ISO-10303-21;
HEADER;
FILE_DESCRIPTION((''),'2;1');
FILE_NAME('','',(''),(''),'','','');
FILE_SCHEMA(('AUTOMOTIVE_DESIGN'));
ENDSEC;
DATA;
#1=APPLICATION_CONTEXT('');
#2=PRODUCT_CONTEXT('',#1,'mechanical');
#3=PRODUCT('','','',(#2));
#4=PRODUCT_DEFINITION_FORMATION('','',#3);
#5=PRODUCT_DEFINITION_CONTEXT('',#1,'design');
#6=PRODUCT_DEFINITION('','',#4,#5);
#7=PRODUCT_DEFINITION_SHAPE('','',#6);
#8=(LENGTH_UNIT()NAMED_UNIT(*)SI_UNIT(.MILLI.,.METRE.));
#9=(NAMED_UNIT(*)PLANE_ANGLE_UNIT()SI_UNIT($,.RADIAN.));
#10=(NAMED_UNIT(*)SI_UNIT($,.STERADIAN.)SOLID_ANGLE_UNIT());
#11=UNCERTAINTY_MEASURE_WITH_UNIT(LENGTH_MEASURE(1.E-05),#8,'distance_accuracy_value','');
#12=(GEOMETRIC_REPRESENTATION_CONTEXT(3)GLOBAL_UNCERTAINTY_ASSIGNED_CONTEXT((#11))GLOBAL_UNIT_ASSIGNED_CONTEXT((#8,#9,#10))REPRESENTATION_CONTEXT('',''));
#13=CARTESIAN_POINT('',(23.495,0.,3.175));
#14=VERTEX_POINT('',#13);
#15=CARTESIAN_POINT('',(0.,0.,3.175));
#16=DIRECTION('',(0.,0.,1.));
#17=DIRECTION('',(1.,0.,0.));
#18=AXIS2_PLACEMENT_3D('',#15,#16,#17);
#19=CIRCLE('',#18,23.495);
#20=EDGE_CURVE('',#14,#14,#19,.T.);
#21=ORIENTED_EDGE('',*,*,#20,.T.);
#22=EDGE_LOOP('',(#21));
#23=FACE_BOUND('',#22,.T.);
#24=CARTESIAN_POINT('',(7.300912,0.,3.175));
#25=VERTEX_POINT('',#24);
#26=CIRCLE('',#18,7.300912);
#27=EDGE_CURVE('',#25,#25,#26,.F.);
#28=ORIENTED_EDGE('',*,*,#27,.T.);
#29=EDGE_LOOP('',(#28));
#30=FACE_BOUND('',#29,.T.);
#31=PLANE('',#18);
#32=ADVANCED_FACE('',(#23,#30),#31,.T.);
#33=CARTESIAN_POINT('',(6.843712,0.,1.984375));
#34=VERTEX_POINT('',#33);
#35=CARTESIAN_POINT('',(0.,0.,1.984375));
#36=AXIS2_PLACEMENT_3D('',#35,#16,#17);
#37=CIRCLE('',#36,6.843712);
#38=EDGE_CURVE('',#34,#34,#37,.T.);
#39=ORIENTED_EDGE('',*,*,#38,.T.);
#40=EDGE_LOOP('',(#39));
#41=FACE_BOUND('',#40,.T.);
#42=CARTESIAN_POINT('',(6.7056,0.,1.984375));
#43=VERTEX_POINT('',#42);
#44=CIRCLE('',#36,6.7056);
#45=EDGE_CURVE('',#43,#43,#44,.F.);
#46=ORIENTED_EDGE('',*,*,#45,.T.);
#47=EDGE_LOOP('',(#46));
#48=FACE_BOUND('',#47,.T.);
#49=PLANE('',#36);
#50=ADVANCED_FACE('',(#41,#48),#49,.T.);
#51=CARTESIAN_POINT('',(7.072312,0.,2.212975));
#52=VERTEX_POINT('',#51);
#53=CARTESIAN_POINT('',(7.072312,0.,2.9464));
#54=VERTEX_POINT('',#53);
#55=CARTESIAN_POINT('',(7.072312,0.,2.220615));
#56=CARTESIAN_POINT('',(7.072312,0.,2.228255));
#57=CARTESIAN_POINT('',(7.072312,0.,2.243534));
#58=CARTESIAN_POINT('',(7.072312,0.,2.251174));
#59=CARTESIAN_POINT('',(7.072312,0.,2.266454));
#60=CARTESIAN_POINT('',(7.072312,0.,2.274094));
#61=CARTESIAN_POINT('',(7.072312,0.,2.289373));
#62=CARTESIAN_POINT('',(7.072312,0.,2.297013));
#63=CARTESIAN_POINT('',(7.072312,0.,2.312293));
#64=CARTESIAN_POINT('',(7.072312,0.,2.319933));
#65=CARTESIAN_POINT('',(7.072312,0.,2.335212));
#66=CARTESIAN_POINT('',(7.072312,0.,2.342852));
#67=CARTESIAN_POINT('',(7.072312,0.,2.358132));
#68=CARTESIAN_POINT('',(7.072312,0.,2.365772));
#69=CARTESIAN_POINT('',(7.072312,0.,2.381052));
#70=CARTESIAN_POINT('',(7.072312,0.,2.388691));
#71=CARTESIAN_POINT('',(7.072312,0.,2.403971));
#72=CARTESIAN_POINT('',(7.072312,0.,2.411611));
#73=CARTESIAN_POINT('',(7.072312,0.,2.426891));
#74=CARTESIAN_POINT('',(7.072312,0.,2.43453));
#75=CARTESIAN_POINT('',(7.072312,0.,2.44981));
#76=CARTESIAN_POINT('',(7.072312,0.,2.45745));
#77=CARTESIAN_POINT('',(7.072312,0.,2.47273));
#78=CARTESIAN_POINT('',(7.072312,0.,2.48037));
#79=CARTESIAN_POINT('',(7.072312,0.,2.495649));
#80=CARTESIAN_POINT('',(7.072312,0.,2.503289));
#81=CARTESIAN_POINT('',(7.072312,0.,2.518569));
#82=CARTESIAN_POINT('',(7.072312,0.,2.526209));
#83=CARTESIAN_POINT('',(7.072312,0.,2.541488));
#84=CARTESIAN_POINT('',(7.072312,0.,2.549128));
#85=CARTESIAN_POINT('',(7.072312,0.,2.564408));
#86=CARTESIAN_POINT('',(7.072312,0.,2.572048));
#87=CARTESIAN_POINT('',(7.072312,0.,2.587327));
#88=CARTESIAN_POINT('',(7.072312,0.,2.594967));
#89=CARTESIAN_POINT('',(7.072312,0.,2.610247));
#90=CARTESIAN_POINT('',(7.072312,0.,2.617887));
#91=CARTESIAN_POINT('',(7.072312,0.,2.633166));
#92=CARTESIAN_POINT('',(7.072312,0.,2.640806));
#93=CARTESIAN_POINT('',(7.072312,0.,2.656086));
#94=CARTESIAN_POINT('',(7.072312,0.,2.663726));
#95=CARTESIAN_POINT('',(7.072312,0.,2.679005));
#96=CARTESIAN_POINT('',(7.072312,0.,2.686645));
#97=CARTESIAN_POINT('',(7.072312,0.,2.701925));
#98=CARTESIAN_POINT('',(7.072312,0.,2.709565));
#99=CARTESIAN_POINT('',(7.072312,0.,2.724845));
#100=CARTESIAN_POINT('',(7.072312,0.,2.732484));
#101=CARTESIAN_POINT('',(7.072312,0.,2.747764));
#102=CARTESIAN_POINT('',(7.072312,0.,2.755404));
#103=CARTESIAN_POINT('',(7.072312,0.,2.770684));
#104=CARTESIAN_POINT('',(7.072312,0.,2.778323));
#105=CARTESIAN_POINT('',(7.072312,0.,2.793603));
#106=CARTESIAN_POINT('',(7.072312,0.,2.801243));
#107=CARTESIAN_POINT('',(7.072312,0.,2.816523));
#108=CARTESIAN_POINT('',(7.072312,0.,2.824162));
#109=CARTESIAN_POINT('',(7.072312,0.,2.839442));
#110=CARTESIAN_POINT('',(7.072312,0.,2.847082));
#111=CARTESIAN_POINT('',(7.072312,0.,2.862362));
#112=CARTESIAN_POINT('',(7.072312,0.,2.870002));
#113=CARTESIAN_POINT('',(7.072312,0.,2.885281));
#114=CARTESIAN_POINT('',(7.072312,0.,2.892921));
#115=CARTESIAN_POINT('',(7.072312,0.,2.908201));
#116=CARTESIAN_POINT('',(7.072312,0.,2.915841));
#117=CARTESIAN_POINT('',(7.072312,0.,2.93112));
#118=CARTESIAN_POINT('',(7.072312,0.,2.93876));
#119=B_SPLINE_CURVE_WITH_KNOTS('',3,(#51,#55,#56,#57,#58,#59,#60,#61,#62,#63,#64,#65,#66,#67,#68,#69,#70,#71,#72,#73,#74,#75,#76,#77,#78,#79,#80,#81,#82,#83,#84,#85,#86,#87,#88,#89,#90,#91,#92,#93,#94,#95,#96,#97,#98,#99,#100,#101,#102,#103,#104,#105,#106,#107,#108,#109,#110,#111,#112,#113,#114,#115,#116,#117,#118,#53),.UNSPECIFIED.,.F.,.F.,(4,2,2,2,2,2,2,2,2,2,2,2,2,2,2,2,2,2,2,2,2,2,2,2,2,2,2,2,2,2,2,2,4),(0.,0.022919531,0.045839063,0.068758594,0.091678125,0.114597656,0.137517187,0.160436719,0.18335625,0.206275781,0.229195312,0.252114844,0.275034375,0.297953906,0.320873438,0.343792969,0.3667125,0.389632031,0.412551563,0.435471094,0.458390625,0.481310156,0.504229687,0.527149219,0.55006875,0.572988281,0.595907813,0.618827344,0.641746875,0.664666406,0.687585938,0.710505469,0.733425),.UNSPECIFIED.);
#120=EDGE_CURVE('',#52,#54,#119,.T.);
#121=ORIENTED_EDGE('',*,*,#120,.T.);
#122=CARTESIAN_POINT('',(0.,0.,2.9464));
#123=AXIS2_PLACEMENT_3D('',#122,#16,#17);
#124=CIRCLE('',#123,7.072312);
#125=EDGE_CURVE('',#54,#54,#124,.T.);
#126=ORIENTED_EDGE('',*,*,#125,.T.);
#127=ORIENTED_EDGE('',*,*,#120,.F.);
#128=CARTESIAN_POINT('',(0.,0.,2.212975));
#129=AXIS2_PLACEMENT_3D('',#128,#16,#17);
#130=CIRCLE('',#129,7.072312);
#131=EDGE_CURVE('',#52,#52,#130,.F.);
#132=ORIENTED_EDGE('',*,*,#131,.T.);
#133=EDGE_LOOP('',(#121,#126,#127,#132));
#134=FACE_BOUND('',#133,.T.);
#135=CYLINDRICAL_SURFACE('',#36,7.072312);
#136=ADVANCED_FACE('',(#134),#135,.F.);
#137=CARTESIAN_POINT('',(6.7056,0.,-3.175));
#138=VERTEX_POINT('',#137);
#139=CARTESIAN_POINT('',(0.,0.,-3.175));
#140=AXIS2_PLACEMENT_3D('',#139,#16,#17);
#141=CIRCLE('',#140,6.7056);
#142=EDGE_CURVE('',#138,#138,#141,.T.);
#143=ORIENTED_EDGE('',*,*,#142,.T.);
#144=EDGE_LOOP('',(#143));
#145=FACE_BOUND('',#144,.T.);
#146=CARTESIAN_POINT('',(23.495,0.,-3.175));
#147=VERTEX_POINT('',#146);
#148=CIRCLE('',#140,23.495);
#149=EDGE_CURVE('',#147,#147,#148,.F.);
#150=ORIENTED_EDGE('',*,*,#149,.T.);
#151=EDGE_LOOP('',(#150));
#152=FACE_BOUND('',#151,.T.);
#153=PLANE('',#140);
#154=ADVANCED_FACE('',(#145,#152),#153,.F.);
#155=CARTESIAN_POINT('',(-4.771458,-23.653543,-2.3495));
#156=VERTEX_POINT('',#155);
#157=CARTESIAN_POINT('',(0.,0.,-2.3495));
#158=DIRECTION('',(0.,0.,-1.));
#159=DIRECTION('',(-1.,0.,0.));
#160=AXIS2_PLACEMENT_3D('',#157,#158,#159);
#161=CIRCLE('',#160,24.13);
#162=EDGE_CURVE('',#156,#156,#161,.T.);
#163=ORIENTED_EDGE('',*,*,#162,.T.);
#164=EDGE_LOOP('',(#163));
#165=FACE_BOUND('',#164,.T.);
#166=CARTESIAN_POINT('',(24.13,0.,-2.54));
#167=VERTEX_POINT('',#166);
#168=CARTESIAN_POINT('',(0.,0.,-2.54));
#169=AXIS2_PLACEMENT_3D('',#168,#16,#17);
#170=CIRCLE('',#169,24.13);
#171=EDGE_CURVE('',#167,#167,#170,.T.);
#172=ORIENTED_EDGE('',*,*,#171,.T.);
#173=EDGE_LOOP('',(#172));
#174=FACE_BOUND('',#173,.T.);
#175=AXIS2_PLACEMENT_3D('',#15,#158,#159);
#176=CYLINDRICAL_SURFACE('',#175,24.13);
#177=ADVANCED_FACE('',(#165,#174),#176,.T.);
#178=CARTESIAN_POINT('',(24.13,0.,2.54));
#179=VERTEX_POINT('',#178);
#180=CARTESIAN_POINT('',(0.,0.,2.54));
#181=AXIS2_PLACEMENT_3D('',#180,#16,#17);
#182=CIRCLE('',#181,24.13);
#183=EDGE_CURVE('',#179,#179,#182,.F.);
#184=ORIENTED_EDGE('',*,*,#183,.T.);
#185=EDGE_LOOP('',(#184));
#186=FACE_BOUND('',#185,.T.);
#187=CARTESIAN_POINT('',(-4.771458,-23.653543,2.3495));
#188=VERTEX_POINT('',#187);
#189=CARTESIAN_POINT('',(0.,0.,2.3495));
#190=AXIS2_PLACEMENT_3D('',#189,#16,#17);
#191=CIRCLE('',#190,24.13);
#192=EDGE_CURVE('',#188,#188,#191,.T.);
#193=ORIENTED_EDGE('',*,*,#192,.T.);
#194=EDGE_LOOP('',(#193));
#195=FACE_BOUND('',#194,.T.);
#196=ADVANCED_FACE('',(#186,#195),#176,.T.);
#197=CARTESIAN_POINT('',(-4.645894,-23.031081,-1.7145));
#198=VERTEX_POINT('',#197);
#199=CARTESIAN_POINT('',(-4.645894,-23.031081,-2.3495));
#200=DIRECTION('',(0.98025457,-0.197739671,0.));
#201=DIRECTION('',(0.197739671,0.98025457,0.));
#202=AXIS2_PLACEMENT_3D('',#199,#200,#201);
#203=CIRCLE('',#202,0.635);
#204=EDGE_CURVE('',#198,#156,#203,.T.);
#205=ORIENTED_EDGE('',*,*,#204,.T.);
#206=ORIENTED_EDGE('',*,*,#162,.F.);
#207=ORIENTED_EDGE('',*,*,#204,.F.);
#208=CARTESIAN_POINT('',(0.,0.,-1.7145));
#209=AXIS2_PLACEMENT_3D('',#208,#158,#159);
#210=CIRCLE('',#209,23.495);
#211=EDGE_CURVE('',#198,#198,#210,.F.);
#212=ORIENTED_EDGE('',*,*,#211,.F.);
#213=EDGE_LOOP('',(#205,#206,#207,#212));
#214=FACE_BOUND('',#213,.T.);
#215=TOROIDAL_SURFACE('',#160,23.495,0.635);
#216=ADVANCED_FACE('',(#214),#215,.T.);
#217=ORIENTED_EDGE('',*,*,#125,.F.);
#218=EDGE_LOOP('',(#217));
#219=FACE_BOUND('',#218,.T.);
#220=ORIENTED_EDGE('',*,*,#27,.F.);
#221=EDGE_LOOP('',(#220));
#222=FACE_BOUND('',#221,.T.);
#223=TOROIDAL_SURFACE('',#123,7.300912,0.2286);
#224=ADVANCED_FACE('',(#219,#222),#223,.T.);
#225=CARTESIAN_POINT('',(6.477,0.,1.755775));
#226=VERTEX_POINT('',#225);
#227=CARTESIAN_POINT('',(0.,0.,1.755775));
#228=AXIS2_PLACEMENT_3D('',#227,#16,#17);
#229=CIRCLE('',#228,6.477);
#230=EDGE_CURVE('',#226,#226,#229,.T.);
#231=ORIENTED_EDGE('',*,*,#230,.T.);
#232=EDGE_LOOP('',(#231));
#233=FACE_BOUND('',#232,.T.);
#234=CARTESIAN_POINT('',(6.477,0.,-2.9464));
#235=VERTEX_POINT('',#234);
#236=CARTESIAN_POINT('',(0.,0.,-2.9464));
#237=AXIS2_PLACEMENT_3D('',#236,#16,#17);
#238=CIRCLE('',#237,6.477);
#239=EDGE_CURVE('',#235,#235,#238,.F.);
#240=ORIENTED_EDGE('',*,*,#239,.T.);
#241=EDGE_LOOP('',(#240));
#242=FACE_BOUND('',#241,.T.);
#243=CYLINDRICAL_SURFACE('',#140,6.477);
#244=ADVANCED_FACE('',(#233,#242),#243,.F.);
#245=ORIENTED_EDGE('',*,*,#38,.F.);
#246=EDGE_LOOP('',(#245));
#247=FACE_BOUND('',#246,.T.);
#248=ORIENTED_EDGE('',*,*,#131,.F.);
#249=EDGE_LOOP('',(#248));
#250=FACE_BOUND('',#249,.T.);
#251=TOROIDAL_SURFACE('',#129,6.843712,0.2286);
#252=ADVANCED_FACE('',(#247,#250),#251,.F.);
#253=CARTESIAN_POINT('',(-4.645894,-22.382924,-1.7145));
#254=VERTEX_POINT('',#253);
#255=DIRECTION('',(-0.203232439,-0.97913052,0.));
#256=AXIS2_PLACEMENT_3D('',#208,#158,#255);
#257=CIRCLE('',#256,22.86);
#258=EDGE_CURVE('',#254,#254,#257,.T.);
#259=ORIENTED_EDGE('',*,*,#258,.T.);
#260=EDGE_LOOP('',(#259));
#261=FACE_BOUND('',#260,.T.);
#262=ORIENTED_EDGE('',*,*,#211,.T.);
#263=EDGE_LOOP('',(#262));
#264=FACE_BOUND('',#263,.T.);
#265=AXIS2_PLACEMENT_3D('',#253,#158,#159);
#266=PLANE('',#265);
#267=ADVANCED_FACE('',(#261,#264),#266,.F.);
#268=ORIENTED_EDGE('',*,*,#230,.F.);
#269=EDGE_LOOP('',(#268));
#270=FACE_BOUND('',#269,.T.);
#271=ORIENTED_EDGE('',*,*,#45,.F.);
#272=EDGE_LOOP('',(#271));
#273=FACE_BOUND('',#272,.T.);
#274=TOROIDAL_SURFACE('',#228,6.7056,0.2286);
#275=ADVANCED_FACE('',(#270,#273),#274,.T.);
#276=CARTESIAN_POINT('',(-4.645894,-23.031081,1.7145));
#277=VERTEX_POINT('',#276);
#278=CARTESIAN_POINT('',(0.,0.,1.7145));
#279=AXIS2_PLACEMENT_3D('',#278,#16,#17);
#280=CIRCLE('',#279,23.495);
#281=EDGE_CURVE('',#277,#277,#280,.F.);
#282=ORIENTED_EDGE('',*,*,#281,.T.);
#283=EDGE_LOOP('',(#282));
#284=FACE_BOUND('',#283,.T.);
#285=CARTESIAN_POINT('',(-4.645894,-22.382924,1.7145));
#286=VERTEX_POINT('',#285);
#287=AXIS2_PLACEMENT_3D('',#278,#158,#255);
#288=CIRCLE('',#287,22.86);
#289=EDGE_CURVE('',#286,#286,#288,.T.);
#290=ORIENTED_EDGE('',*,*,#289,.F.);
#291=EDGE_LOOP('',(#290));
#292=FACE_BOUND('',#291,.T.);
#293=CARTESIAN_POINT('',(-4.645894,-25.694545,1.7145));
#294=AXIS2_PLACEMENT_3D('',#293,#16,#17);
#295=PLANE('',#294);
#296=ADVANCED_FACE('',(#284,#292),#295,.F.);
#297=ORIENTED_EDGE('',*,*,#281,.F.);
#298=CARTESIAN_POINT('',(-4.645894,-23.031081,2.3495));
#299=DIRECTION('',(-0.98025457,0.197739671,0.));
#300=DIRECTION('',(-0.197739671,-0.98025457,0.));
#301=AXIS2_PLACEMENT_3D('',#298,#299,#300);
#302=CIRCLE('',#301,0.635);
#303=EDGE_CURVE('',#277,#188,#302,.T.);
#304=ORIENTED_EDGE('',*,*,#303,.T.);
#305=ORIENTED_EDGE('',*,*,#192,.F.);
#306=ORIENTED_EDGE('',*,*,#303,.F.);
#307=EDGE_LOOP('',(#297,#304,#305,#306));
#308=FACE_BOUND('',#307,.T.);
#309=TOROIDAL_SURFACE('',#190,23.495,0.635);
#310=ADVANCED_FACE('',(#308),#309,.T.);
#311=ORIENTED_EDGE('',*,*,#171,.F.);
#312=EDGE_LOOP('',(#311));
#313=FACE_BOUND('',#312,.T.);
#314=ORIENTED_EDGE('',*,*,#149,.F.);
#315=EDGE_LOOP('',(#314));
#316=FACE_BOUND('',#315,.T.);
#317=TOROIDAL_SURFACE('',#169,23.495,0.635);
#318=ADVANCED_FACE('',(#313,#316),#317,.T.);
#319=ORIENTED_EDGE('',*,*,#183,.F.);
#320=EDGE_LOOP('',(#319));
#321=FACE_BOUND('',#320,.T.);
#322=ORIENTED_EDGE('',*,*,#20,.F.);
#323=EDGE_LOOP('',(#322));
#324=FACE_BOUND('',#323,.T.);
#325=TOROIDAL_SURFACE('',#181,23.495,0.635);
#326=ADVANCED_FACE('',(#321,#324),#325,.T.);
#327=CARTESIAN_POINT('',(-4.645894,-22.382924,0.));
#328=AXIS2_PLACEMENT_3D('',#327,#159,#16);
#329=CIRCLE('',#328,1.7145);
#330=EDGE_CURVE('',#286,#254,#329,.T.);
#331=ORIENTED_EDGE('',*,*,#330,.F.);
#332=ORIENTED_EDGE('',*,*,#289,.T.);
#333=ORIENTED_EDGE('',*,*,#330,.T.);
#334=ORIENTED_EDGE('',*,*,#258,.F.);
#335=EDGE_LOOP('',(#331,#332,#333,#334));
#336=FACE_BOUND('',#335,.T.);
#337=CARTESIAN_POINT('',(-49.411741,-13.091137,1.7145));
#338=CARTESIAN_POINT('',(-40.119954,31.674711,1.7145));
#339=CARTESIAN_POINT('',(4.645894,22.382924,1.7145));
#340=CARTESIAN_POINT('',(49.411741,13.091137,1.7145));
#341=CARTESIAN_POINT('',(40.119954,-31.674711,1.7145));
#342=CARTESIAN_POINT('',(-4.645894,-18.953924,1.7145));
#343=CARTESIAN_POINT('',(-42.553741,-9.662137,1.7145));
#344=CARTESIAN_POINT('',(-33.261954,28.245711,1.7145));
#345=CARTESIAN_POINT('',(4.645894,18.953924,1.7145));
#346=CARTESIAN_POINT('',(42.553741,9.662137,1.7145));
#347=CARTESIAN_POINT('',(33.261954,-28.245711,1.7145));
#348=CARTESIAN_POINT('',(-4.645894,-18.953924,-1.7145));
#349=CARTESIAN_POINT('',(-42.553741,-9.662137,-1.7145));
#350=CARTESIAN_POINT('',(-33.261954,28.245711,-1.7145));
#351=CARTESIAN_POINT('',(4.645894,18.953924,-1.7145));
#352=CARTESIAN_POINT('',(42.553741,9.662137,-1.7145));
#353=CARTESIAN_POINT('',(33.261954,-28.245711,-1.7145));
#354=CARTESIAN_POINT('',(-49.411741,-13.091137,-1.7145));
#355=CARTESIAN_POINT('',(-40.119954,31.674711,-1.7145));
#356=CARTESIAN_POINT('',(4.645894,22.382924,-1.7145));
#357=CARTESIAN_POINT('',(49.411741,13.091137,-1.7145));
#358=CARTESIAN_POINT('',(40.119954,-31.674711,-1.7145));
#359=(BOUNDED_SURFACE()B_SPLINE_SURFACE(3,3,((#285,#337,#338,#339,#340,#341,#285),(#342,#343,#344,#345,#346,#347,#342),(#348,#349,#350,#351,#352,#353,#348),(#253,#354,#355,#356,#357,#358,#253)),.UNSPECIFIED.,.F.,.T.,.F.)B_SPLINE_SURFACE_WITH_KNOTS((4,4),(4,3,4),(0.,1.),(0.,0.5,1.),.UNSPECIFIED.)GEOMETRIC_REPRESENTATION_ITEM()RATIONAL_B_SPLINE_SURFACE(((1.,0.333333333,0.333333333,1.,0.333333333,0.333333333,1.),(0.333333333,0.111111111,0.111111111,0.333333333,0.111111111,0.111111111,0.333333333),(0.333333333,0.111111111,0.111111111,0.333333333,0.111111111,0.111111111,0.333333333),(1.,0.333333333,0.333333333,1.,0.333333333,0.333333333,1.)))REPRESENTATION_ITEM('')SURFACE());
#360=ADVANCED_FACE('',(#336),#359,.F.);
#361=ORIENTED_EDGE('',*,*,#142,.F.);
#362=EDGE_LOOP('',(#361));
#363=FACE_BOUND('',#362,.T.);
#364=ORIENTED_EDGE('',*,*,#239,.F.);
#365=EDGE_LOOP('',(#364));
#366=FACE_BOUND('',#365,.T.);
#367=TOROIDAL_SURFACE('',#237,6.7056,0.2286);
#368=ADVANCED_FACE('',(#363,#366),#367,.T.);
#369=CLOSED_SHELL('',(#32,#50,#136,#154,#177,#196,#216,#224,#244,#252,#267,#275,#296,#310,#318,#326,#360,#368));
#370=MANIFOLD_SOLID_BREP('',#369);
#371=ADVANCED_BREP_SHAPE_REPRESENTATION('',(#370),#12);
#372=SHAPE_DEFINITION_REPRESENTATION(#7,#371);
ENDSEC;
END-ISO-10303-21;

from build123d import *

# Parameters (mm, degrees)
SKETCH1_R           = 24.13
BOSS_EXTRUDE1_DEPTH = 3.175
SKETCH3_R           = 4.7625
CUT_EXTRUDE1_DEPTH  = 1.5875
SKETCH4_R           = 6.477
CUT_EXTRUDE2_DEPTH  = 35.710752095
SKETCH5_R           = 7.0723125
CUT_EXTRUDE3_DEPTH  = 1.190625
FILLET2_R           = 0.2286
FILLET3_R           = 0.635


with BuildPart() as part:
    # Sketch1 → Boss-Extrude1 (new, symmetric)
    with BuildSketch(Plane.XY):
        Circle(SKETCH1_R)
    extrude(amount=BOSS_EXTRUDE1_DEPTH, both=True)

    # Cut-Sweep1: sweep along a path in Sketch6
    with BuildLine(Plane(origin=(0, 0, 0), x_dir=(-1, 0, 0), z_dir=(0, 0, -1))) as cut_sweep1_path:
        CenterArc((0, 0), 22.86, 0, 360)
    # 3DSketch1 → Cut-Sweep1 (sweep, cut)
    with BuildSketch(Plane(origin=(-4.645893567, -22.382923691, -1.7145), x_dir=(0, -0.6946881757557662, 0.7193110165047701), z_dir=(-1, 0, 0))):
        with BuildLine():
            Line((0, 0), (2.300544228, -2.382085755))
            Line((2.300544228, -2.382085755), (4.767061704, 0))
            Line((4.767061704, 0), (2.466517476, 2.382085755))
            ThreePointArc((2.466517476, 2.382085755), (0.04221586, 2.424301615), (0, 0))
        make_face()
    sweep(path=cut_sweep1_path.line, mode=Mode.SUBTRACT)

    # Sketch3 → Cut-Extrude1 (cut, symmetric)
    with BuildSketch(Plane.XY):
        Circle(SKETCH3_R)
    extrude(amount=CUT_EXTRUDE1_DEPTH, both=True, mode=Mode.SUBTRACT)

    # Sketch4 → Cut-Extrude2 (cut, through all)
    with BuildSketch(Plane.XY.offset(3.175)):
        Circle(SKETCH4_R)
    extrude(amount=-CUT_EXTRUDE2_DEPTH, mode=Mode.SUBTRACT)

    # Sketch5 → Cut-Extrude3 (cut)
    with BuildSketch(Plane.XY.offset(3.175)):
        Circle(SKETCH5_R)
    extrude(amount=-CUT_EXTRUDE3_DEPTH, mode=Mode.SUBTRACT)

    # Fillet2
    fillet2_edges = [part.edges().sort_by_distance(p)[0] for p in [
        (-6.477, 0, -3.175),
        (-7.0723125, 0, 3.175),
        (-7.0723125, 0, 1.984375),
        (-6.477, 0, 1.984375),
    ]]
    fillet(fillet2_edges, radius=FILLET2_R)

    # Fillet3
    fillet3_edges = [part.edges().sort_by_distance(p)[0] for p in [
        (-24.13, 0, -3.175),
        (-24.13, 0, 3.175),
        (0.131656124, -24.129640831, 1.7145),
        (-0.131656125, 24.129640831, -1.7145),
    ]]
    fillet(fillet3_edges, radius=FILLET3_R)


solid = part.part
